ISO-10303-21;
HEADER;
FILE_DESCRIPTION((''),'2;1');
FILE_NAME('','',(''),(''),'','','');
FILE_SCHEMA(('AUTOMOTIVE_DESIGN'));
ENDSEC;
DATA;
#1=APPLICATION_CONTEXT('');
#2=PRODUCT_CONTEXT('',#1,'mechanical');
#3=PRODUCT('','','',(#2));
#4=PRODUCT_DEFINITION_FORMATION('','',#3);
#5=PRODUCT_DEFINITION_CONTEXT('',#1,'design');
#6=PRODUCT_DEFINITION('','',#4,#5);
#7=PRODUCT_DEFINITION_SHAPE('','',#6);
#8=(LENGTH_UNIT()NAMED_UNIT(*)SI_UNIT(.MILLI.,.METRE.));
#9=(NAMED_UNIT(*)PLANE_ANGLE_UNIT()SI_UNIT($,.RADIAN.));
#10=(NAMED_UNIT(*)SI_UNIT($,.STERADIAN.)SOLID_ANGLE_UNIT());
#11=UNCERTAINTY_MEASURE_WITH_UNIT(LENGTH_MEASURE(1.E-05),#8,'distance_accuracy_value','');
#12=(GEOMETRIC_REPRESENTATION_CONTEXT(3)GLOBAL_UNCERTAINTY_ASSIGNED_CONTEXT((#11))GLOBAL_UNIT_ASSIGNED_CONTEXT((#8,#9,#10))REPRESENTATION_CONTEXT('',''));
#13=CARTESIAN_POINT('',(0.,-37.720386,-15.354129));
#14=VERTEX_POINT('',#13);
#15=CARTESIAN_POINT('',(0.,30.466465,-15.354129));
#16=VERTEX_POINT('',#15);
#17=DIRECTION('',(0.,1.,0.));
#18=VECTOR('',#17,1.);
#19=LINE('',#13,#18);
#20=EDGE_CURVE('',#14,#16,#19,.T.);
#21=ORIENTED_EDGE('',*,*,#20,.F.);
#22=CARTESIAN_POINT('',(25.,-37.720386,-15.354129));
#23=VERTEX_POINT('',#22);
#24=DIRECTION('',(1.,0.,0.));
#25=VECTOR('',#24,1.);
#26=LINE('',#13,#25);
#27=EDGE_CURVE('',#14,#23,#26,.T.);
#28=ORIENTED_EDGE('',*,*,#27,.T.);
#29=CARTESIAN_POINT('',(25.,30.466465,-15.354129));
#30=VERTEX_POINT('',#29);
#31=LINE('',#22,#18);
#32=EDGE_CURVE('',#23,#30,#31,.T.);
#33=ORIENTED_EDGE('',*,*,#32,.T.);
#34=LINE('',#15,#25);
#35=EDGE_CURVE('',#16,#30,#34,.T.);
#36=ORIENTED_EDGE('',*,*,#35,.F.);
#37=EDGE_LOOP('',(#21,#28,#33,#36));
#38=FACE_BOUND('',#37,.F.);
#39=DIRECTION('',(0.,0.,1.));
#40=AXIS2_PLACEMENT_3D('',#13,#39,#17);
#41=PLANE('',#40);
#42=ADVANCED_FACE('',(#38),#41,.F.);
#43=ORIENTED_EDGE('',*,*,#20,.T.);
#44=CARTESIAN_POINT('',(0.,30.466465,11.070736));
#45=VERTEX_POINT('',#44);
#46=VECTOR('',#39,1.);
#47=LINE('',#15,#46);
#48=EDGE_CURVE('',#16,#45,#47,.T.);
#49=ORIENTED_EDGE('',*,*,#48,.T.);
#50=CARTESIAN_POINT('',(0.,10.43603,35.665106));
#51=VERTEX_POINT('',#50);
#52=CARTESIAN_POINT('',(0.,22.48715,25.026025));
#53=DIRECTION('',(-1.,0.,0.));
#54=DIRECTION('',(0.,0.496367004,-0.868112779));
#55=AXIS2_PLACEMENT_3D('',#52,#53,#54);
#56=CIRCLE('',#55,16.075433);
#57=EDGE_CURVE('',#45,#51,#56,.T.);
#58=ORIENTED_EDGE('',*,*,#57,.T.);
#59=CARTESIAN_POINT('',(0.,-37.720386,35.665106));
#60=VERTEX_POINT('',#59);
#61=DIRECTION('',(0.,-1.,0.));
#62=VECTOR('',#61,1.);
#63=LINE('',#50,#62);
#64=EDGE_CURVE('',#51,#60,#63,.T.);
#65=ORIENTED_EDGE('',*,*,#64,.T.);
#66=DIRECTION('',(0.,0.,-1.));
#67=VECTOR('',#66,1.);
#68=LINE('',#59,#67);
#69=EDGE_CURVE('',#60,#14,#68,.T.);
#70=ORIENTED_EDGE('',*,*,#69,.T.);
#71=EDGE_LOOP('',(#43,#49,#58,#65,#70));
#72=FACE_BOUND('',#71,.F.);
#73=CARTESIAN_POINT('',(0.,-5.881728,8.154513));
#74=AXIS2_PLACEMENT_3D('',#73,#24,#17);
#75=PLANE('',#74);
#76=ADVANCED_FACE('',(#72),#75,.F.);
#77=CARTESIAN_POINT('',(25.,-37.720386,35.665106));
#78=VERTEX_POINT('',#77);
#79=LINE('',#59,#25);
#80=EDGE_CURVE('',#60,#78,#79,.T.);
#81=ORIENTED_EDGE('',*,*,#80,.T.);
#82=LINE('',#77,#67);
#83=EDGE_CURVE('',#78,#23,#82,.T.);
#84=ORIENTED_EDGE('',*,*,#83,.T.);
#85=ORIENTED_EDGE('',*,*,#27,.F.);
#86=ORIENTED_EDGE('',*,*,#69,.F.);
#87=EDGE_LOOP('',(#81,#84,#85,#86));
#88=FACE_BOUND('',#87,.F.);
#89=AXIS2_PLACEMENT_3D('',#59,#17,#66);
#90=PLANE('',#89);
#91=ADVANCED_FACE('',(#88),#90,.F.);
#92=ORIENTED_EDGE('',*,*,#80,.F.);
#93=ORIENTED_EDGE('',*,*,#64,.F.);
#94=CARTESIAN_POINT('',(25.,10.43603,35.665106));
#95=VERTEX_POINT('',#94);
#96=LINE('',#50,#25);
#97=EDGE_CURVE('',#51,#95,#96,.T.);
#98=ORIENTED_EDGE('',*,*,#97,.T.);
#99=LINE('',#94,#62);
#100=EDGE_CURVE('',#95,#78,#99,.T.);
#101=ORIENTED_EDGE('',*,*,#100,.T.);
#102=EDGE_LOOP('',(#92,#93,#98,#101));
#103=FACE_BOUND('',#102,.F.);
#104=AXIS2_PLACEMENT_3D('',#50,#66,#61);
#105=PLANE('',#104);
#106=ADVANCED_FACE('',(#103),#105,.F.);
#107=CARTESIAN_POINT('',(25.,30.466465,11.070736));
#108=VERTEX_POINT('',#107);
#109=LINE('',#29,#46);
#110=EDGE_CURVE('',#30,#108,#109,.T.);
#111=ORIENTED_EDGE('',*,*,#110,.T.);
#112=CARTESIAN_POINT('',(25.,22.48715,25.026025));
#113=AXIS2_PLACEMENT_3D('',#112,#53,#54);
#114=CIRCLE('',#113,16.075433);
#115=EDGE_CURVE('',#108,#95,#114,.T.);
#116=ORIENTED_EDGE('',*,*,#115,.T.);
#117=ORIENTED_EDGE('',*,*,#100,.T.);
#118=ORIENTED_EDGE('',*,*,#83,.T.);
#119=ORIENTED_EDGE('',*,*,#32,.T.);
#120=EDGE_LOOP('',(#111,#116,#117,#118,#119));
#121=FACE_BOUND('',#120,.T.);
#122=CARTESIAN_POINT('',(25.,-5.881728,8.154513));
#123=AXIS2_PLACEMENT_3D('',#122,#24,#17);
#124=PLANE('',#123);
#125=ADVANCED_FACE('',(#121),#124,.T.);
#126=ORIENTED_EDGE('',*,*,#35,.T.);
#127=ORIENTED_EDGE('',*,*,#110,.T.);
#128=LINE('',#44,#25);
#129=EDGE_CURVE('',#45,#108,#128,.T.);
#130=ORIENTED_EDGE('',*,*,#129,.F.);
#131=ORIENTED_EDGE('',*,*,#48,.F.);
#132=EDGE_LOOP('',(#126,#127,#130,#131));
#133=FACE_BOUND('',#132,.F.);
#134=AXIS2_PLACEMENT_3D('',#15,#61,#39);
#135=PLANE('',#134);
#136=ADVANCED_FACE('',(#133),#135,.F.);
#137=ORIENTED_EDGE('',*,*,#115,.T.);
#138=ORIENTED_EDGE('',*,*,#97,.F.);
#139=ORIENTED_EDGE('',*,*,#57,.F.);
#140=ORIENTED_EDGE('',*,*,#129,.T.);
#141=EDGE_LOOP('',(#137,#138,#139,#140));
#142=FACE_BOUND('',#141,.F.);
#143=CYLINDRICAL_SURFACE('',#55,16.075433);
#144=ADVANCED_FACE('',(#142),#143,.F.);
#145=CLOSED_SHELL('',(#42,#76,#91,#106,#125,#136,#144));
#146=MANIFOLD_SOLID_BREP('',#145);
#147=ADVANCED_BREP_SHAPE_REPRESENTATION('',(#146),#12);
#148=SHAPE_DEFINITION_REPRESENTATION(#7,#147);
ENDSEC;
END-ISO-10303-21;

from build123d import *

# Parameters (mm, degrees)
F1_DEPTH = 25


with BuildPart() as f1:
    # F0 (on Right) → F1 (new body)
    with BuildSketch(Plane.YZ):
        with BuildLine():
            Line((-37.720386, 35.665106), (-37.720386, -15.354129))
            Line((-37.720386, -15.354129), (30.466465, -15.354129))
            Line((30.466465, -15.354129), (30.466465, 11.070736))
            ThreePointArc((30.466465, 11.070736), (10.022574, 14.874479), (10.43603, 35.665106))
            Line((10.43603, 35.665106), (-37.720386, 35.665106))
        make_face()
    extrude(amount=F1_DEPTH)


solid = f1.part
